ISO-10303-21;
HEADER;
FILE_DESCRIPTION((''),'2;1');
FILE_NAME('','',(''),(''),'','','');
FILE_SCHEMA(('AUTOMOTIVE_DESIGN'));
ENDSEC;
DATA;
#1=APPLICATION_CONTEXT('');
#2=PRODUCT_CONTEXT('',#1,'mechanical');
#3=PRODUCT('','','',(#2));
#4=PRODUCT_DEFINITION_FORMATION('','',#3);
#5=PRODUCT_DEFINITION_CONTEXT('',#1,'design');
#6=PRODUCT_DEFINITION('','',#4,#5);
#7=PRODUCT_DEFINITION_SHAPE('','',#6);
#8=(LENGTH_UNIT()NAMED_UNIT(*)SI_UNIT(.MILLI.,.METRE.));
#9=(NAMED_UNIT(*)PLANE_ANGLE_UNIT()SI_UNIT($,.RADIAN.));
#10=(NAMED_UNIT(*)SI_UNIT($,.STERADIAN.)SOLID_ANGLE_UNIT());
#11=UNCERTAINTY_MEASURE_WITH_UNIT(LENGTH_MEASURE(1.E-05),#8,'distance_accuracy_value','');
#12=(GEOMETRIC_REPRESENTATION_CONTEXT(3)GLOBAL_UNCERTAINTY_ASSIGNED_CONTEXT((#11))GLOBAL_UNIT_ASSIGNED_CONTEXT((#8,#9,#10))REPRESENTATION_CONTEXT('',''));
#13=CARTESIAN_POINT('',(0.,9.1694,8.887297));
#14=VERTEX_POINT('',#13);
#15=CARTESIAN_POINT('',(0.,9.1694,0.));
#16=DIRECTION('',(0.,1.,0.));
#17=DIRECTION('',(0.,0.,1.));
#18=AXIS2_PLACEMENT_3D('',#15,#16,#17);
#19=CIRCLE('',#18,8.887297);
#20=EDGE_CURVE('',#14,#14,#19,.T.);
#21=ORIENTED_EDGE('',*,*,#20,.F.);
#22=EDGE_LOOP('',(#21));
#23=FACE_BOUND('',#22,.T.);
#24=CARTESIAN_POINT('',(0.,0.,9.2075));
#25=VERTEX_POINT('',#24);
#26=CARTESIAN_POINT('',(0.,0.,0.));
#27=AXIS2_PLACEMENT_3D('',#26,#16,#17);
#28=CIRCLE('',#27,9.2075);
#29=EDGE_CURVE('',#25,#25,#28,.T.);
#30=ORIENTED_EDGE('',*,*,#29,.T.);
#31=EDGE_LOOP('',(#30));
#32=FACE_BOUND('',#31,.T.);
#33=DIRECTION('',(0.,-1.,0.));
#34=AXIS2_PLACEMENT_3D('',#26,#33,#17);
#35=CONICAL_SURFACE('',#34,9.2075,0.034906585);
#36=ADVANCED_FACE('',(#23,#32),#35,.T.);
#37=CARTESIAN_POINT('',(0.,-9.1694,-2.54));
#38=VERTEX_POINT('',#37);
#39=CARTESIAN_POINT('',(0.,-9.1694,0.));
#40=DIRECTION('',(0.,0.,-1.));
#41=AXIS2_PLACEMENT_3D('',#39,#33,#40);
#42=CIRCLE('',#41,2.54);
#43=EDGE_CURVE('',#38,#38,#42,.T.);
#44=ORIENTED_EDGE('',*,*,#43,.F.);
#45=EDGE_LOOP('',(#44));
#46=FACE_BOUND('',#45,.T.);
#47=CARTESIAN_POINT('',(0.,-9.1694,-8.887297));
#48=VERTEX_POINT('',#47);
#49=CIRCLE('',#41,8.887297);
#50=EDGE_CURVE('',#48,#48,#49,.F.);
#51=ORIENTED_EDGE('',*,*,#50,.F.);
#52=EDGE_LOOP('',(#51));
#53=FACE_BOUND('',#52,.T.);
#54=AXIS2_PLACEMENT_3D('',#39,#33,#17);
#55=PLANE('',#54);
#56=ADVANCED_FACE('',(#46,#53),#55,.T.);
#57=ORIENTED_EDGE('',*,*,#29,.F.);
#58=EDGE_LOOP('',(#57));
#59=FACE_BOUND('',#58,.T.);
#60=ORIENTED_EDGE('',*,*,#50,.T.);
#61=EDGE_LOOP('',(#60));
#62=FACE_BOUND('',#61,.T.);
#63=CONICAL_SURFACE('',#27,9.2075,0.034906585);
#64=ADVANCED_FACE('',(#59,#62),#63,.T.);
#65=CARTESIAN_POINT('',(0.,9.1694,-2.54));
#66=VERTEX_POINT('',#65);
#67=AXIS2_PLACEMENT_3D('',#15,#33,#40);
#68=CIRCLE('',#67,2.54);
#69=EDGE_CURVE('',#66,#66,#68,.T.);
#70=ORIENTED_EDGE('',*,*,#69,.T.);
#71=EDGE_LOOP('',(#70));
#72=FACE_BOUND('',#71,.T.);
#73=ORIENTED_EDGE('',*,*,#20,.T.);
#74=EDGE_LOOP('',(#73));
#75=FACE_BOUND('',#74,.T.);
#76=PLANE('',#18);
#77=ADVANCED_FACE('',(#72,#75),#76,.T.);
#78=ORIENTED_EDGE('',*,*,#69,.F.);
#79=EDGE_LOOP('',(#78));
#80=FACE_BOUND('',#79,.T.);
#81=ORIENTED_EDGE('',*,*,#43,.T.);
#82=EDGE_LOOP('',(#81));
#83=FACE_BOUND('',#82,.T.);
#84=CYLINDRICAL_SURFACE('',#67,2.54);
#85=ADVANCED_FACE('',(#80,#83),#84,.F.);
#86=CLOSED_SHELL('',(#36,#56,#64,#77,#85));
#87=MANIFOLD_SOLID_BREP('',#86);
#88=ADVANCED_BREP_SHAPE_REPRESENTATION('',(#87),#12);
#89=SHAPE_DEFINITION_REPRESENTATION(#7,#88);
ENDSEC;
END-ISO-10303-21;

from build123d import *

# Parameters (mm, degrees)
SKETCH1_R           = 9.2075
BOSS_EXTRUDE1_DEPTH = 9.1694
BOSS_EXTRUDE1_TAPER = 2
SKETCH2_R           = 2.54
CUT_EXTRUDE1_DEPTH  = 23.491502958


with BuildPart() as part:
    # Sketch1 → Boss-Extrude1 (new body)
    with BuildSketch(Plane(origin=(0, 0, 0), x_dir=(1, 0, 0), z_dir=(0, 1, 0))):
        Circle(SKETCH1_R)
    boss_extrude1 = extrude(amount=BOSS_EXTRUDE1_DEPTH, taper=BOSS_EXTRUDE1_TAPER)

    # Mirror1: Boss-Extrude1 across plane
    add(boss_extrude1.mirror(Plane.ZX))

    # Sketch2 → Cut-Extrude1 (cut, through all)
    with BuildSketch(Plane(origin=(0, -9.1694, 0), x_dir=(-1, 0, 0), z_dir=(0, -1, 0))):
        with Locations(Location((0, 0, 0), (0, 0, 90))):
            Circle(SKETCH2_R)
    extrude(amount=-CUT_EXTRUDE1_DEPTH, mode=Mode.SUBTRACT)


solid = part.part
